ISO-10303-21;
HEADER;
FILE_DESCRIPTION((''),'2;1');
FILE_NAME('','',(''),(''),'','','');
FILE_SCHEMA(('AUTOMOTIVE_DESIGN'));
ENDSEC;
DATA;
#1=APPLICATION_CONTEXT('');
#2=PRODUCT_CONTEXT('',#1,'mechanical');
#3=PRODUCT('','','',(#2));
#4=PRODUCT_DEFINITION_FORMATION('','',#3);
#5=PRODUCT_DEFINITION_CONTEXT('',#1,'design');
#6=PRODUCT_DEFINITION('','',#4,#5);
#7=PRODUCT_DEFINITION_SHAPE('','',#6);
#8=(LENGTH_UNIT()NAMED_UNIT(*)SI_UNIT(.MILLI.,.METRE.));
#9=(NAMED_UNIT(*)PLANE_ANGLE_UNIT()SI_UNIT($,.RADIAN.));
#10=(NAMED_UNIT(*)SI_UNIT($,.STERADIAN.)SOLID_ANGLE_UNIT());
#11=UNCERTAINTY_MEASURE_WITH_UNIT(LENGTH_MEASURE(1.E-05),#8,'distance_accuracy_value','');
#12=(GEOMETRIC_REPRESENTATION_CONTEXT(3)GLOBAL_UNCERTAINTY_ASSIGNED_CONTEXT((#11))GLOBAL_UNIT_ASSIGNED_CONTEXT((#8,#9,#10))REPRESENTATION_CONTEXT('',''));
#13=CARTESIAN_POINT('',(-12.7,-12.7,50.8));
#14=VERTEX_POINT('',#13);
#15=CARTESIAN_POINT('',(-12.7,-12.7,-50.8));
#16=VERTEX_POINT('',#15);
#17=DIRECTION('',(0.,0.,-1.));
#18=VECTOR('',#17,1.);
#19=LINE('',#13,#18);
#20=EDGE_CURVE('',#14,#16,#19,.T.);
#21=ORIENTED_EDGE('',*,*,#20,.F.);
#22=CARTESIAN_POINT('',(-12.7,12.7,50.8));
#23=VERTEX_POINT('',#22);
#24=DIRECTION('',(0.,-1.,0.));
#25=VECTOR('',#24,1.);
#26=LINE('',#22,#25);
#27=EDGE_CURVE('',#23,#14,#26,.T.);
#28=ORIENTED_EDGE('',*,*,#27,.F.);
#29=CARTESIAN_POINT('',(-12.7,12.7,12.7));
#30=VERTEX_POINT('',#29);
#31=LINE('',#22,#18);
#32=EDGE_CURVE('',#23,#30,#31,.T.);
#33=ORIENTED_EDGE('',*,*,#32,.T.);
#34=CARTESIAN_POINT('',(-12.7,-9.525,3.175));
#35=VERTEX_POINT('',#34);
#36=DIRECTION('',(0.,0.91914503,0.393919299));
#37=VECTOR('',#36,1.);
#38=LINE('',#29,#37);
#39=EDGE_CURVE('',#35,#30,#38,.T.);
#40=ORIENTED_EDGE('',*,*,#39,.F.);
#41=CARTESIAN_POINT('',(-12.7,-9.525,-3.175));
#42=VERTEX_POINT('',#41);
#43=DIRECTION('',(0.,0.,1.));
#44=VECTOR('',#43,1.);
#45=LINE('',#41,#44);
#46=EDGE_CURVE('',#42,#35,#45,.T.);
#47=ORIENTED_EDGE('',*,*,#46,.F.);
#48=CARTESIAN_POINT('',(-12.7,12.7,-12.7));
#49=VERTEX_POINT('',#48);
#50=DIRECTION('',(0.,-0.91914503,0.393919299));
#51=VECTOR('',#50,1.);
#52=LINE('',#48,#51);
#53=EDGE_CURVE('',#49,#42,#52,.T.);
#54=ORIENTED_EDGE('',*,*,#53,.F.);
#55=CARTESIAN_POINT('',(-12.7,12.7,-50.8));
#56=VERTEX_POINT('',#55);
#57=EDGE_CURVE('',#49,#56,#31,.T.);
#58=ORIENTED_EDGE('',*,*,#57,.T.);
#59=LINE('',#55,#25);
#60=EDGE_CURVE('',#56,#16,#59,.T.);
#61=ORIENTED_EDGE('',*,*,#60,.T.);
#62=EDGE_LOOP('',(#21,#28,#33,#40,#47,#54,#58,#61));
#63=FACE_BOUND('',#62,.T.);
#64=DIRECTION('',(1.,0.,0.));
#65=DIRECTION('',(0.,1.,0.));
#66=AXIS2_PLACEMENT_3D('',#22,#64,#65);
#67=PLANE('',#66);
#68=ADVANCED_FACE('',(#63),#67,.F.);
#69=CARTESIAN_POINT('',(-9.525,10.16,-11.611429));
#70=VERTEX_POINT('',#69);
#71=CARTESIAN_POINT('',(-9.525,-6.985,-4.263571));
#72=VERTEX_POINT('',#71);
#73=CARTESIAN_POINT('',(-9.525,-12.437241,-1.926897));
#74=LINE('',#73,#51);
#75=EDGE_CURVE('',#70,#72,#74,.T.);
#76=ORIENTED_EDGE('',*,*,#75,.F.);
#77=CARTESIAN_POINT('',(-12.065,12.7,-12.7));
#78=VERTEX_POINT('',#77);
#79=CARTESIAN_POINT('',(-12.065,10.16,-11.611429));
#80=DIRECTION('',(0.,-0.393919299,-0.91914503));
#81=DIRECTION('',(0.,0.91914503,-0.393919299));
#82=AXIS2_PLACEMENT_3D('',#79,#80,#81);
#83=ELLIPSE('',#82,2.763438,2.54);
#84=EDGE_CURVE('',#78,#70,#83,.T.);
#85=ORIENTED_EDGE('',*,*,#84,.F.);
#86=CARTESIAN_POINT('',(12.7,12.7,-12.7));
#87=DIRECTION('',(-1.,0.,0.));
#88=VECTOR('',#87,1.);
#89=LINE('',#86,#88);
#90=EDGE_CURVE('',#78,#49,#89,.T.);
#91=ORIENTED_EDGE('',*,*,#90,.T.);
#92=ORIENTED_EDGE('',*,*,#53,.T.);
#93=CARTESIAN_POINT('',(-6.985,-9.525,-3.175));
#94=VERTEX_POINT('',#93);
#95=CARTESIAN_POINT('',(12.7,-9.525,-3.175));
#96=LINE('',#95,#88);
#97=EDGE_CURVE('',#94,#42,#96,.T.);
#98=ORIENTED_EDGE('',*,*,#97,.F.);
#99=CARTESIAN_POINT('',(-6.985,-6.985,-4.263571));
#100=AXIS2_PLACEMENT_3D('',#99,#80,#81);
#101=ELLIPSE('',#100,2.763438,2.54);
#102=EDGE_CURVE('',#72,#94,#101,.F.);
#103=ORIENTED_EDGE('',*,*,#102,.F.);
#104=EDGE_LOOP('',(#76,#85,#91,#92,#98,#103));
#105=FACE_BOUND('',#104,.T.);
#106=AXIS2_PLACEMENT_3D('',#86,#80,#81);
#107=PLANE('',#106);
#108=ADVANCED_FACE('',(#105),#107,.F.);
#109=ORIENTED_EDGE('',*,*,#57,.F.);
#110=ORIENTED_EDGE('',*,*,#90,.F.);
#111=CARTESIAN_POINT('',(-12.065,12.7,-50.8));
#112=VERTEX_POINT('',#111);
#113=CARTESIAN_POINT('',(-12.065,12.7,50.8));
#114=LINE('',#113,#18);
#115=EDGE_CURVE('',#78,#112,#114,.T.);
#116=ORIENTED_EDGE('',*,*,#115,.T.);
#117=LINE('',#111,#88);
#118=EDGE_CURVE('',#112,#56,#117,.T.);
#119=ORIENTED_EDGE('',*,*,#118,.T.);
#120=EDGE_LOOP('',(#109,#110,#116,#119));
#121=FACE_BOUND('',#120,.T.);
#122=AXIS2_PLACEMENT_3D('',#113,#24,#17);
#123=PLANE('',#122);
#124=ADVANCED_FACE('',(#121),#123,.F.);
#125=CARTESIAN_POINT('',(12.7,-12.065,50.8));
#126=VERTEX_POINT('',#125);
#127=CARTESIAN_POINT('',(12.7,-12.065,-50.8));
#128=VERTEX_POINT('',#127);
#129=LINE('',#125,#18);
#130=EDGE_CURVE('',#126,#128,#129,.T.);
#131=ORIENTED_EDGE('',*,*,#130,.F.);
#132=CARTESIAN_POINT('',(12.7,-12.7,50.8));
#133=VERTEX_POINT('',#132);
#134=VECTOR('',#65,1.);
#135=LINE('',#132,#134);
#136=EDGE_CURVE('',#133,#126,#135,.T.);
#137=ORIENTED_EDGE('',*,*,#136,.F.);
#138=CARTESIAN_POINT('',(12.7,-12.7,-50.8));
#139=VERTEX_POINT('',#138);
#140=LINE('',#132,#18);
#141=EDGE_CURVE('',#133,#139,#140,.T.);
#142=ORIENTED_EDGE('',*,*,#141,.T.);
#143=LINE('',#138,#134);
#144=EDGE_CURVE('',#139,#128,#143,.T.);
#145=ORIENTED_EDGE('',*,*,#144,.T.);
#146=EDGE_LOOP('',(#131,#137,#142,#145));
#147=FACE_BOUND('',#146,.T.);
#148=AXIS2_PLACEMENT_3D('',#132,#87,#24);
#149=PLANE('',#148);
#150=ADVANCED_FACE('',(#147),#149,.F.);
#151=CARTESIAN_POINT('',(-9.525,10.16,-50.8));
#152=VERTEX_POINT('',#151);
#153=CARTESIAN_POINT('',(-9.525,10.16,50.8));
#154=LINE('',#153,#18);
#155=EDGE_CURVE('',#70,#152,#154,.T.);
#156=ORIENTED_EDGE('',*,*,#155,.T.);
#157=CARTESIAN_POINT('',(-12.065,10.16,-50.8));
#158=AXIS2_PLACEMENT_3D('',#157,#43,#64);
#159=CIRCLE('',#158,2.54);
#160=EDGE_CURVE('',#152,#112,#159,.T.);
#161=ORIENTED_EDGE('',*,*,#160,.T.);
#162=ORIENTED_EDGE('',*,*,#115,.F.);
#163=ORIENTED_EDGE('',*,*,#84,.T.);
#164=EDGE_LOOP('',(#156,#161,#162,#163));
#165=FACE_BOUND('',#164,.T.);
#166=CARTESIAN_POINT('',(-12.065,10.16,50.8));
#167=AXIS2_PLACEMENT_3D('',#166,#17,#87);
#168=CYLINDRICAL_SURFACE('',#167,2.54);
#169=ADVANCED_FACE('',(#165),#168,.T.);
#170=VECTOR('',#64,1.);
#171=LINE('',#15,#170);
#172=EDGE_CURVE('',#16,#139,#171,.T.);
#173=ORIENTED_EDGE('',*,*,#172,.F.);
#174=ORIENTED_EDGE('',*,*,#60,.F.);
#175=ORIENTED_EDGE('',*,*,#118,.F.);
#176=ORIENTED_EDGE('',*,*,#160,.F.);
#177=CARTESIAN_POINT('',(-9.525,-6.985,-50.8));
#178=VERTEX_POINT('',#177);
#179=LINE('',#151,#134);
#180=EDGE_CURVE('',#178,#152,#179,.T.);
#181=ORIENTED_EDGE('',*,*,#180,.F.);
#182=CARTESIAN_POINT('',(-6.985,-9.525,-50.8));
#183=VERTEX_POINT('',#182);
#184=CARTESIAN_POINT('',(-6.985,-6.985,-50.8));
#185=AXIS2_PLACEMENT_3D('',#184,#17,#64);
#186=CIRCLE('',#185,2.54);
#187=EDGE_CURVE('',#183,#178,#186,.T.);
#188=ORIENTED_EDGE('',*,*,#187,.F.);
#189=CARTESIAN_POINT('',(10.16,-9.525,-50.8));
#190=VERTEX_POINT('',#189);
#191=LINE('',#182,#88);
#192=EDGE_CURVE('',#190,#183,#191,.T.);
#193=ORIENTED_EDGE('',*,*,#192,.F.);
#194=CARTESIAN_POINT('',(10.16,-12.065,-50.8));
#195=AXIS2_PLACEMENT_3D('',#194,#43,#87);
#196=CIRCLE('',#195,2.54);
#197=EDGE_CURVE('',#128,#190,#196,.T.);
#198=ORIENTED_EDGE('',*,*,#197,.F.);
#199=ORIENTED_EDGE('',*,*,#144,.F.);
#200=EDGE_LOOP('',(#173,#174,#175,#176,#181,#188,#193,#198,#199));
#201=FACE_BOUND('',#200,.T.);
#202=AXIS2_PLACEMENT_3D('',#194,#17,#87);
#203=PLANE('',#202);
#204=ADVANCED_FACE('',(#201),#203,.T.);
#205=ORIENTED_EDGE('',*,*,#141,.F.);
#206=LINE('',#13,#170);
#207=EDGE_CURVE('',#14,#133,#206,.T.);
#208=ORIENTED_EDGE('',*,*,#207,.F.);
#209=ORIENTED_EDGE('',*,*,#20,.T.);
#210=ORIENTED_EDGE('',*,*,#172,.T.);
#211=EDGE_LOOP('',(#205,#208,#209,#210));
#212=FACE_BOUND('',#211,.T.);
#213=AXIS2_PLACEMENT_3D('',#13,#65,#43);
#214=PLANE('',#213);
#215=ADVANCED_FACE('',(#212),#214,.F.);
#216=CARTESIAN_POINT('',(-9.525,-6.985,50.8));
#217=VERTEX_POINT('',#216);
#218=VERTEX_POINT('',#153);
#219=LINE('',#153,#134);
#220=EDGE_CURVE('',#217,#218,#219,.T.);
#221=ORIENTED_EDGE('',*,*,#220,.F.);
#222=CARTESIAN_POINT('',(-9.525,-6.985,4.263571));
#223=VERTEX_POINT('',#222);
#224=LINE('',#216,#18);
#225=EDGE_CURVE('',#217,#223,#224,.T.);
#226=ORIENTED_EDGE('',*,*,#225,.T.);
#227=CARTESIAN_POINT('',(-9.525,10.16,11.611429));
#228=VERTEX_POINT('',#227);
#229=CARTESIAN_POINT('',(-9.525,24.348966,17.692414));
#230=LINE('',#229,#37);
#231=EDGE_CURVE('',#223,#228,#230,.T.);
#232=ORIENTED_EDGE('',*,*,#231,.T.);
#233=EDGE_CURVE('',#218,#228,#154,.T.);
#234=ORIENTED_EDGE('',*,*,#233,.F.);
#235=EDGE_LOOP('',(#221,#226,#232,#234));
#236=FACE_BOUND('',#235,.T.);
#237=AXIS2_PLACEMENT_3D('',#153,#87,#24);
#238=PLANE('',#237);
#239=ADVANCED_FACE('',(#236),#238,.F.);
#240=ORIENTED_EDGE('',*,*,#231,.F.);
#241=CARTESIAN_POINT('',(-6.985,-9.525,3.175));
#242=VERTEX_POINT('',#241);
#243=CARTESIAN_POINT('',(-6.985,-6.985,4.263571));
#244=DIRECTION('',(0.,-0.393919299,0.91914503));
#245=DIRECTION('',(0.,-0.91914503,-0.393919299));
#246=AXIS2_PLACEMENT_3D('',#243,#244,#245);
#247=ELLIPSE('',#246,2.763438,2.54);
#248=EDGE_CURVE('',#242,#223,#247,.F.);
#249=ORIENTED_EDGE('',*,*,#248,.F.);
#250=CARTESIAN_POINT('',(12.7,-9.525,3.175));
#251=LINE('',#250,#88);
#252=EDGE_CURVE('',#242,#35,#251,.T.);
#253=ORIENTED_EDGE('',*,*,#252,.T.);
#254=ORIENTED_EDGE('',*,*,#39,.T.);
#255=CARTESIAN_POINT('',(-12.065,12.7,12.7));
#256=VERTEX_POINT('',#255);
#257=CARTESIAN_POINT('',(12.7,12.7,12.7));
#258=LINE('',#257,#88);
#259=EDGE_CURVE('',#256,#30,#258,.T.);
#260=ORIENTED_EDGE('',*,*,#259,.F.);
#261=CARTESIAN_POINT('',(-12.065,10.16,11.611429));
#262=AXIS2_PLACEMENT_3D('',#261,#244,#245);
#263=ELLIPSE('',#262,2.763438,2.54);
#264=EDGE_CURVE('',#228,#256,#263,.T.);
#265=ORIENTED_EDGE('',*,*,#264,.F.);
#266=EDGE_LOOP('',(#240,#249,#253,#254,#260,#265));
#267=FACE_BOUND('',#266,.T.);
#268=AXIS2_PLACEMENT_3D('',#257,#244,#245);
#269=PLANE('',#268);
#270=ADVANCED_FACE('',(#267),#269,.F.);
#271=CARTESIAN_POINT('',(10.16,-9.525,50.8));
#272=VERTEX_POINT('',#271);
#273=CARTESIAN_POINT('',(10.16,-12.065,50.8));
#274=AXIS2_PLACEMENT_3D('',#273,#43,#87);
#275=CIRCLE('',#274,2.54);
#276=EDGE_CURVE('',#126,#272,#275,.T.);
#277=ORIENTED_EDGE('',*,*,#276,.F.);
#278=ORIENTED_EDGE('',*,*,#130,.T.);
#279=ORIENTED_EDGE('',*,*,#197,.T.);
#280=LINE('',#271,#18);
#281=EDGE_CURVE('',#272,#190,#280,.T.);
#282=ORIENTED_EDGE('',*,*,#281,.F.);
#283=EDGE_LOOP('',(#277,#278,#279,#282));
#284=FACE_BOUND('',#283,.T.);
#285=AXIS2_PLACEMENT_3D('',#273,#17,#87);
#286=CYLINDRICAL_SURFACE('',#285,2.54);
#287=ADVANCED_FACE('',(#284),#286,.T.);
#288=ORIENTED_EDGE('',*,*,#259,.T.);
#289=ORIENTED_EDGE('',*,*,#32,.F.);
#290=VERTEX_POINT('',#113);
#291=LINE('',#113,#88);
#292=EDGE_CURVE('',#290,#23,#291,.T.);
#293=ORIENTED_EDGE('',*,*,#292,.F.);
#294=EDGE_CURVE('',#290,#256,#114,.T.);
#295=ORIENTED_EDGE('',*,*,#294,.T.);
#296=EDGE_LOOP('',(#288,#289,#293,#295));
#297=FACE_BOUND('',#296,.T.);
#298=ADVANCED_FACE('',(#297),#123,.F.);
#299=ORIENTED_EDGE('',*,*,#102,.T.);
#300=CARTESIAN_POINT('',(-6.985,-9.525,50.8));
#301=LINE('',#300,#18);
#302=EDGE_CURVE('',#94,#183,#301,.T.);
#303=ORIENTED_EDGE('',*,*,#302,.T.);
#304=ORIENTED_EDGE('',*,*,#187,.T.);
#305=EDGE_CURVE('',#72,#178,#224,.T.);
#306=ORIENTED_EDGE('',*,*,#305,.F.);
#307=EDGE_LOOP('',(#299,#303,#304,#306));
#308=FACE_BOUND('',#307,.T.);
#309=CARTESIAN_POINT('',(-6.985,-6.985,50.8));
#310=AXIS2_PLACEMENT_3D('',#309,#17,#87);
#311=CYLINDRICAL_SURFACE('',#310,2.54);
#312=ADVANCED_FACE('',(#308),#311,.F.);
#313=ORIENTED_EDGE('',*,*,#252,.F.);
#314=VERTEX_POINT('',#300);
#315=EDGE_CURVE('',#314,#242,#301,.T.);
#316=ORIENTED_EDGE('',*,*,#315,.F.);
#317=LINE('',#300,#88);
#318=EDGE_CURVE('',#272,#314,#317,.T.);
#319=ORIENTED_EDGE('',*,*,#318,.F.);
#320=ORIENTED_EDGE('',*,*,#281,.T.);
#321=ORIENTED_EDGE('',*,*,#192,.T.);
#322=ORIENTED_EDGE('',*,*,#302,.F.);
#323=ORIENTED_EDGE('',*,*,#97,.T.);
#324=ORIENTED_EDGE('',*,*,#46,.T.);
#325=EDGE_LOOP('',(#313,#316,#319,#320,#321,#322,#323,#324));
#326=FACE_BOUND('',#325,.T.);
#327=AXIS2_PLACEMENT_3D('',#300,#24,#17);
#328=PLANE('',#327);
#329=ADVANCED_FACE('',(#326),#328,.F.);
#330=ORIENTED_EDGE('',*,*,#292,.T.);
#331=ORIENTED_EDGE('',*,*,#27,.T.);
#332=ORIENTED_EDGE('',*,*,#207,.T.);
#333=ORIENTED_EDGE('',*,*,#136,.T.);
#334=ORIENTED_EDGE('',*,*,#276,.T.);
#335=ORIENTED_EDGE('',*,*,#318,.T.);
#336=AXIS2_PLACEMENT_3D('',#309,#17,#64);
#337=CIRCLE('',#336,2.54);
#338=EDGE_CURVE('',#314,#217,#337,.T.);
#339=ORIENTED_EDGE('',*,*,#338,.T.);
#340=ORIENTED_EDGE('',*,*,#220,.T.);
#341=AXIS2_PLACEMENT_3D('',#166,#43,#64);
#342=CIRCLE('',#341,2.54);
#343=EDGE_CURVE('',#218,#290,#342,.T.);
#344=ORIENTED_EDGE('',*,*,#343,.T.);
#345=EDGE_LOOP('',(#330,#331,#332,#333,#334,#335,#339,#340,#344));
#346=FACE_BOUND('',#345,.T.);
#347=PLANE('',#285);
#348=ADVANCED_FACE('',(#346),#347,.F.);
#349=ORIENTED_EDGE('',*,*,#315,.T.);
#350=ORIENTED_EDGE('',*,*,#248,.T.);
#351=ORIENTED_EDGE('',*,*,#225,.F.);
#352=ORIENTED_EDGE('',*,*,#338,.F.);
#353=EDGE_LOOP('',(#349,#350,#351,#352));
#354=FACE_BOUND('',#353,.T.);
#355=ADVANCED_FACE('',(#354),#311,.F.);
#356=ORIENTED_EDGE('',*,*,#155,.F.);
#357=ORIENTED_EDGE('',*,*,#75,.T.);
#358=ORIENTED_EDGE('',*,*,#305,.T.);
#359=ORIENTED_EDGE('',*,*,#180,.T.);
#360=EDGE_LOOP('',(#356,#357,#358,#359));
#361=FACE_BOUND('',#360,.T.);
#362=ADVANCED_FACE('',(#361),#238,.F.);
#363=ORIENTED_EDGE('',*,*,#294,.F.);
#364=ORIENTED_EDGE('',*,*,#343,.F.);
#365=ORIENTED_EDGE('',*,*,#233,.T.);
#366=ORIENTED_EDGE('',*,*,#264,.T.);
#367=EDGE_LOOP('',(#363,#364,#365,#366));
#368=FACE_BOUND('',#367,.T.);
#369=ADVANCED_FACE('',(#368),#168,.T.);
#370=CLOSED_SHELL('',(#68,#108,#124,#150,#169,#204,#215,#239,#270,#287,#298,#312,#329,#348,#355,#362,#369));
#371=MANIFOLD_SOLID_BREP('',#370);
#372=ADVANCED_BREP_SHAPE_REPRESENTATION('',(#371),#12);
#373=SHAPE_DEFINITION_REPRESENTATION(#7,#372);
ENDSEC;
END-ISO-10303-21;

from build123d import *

# Parameters (mm, degrees)
BOSS_EXTRUDE1_DEPTH = 50.8
CUT_EXTRUDE1_DEPTH  = 59.198711326


with BuildPart() as part:
    # Sketch1 → Boss-Extrude1 (new, symmetric)
    with BuildSketch(Plane.XY):
        with BuildLine():
            Line((-12.7, 12.7), (-12.7, -12.7))
            Line((-12.7, -12.7), (12.7, -12.7))
            Line((12.7, -12.7), (12.7, -12.065))
            ThreePointArc((12.7, -12.065), (11.956051224, -10.268948776), (10.16, -9.525))
            Line((10.16, -9.525), (-6.985, -9.525))
            ThreePointArc((-6.985, -9.525), (-8.781051224, -8.781051224), (-9.525, -6.985))
            Line((-9.525, -6.985), (-9.525, 10.16))
            ThreePointArc((-9.525, 10.16), (-10.268948776, 11.956051224), (-12.065, 12.7))
            Line((-12.065, 12.7), (-12.7, 12.7))
        make_face()
    extrude(amount=BOSS_EXTRUDE1_DEPTH, both=True)

    # Sketch3 → Cut-Extrude1 (cut, through all)
    with BuildSketch(Plane.ZY.offset(12.7)):
        Polygon((-12.7, 12.7), (-3.175, -9.525), (3.175, -9.525), (12.7, 12.7), align=None)
    extrude(amount=-CUT_EXTRUDE1_DEPTH, mode=Mode.SUBTRACT)


solid = part.part
